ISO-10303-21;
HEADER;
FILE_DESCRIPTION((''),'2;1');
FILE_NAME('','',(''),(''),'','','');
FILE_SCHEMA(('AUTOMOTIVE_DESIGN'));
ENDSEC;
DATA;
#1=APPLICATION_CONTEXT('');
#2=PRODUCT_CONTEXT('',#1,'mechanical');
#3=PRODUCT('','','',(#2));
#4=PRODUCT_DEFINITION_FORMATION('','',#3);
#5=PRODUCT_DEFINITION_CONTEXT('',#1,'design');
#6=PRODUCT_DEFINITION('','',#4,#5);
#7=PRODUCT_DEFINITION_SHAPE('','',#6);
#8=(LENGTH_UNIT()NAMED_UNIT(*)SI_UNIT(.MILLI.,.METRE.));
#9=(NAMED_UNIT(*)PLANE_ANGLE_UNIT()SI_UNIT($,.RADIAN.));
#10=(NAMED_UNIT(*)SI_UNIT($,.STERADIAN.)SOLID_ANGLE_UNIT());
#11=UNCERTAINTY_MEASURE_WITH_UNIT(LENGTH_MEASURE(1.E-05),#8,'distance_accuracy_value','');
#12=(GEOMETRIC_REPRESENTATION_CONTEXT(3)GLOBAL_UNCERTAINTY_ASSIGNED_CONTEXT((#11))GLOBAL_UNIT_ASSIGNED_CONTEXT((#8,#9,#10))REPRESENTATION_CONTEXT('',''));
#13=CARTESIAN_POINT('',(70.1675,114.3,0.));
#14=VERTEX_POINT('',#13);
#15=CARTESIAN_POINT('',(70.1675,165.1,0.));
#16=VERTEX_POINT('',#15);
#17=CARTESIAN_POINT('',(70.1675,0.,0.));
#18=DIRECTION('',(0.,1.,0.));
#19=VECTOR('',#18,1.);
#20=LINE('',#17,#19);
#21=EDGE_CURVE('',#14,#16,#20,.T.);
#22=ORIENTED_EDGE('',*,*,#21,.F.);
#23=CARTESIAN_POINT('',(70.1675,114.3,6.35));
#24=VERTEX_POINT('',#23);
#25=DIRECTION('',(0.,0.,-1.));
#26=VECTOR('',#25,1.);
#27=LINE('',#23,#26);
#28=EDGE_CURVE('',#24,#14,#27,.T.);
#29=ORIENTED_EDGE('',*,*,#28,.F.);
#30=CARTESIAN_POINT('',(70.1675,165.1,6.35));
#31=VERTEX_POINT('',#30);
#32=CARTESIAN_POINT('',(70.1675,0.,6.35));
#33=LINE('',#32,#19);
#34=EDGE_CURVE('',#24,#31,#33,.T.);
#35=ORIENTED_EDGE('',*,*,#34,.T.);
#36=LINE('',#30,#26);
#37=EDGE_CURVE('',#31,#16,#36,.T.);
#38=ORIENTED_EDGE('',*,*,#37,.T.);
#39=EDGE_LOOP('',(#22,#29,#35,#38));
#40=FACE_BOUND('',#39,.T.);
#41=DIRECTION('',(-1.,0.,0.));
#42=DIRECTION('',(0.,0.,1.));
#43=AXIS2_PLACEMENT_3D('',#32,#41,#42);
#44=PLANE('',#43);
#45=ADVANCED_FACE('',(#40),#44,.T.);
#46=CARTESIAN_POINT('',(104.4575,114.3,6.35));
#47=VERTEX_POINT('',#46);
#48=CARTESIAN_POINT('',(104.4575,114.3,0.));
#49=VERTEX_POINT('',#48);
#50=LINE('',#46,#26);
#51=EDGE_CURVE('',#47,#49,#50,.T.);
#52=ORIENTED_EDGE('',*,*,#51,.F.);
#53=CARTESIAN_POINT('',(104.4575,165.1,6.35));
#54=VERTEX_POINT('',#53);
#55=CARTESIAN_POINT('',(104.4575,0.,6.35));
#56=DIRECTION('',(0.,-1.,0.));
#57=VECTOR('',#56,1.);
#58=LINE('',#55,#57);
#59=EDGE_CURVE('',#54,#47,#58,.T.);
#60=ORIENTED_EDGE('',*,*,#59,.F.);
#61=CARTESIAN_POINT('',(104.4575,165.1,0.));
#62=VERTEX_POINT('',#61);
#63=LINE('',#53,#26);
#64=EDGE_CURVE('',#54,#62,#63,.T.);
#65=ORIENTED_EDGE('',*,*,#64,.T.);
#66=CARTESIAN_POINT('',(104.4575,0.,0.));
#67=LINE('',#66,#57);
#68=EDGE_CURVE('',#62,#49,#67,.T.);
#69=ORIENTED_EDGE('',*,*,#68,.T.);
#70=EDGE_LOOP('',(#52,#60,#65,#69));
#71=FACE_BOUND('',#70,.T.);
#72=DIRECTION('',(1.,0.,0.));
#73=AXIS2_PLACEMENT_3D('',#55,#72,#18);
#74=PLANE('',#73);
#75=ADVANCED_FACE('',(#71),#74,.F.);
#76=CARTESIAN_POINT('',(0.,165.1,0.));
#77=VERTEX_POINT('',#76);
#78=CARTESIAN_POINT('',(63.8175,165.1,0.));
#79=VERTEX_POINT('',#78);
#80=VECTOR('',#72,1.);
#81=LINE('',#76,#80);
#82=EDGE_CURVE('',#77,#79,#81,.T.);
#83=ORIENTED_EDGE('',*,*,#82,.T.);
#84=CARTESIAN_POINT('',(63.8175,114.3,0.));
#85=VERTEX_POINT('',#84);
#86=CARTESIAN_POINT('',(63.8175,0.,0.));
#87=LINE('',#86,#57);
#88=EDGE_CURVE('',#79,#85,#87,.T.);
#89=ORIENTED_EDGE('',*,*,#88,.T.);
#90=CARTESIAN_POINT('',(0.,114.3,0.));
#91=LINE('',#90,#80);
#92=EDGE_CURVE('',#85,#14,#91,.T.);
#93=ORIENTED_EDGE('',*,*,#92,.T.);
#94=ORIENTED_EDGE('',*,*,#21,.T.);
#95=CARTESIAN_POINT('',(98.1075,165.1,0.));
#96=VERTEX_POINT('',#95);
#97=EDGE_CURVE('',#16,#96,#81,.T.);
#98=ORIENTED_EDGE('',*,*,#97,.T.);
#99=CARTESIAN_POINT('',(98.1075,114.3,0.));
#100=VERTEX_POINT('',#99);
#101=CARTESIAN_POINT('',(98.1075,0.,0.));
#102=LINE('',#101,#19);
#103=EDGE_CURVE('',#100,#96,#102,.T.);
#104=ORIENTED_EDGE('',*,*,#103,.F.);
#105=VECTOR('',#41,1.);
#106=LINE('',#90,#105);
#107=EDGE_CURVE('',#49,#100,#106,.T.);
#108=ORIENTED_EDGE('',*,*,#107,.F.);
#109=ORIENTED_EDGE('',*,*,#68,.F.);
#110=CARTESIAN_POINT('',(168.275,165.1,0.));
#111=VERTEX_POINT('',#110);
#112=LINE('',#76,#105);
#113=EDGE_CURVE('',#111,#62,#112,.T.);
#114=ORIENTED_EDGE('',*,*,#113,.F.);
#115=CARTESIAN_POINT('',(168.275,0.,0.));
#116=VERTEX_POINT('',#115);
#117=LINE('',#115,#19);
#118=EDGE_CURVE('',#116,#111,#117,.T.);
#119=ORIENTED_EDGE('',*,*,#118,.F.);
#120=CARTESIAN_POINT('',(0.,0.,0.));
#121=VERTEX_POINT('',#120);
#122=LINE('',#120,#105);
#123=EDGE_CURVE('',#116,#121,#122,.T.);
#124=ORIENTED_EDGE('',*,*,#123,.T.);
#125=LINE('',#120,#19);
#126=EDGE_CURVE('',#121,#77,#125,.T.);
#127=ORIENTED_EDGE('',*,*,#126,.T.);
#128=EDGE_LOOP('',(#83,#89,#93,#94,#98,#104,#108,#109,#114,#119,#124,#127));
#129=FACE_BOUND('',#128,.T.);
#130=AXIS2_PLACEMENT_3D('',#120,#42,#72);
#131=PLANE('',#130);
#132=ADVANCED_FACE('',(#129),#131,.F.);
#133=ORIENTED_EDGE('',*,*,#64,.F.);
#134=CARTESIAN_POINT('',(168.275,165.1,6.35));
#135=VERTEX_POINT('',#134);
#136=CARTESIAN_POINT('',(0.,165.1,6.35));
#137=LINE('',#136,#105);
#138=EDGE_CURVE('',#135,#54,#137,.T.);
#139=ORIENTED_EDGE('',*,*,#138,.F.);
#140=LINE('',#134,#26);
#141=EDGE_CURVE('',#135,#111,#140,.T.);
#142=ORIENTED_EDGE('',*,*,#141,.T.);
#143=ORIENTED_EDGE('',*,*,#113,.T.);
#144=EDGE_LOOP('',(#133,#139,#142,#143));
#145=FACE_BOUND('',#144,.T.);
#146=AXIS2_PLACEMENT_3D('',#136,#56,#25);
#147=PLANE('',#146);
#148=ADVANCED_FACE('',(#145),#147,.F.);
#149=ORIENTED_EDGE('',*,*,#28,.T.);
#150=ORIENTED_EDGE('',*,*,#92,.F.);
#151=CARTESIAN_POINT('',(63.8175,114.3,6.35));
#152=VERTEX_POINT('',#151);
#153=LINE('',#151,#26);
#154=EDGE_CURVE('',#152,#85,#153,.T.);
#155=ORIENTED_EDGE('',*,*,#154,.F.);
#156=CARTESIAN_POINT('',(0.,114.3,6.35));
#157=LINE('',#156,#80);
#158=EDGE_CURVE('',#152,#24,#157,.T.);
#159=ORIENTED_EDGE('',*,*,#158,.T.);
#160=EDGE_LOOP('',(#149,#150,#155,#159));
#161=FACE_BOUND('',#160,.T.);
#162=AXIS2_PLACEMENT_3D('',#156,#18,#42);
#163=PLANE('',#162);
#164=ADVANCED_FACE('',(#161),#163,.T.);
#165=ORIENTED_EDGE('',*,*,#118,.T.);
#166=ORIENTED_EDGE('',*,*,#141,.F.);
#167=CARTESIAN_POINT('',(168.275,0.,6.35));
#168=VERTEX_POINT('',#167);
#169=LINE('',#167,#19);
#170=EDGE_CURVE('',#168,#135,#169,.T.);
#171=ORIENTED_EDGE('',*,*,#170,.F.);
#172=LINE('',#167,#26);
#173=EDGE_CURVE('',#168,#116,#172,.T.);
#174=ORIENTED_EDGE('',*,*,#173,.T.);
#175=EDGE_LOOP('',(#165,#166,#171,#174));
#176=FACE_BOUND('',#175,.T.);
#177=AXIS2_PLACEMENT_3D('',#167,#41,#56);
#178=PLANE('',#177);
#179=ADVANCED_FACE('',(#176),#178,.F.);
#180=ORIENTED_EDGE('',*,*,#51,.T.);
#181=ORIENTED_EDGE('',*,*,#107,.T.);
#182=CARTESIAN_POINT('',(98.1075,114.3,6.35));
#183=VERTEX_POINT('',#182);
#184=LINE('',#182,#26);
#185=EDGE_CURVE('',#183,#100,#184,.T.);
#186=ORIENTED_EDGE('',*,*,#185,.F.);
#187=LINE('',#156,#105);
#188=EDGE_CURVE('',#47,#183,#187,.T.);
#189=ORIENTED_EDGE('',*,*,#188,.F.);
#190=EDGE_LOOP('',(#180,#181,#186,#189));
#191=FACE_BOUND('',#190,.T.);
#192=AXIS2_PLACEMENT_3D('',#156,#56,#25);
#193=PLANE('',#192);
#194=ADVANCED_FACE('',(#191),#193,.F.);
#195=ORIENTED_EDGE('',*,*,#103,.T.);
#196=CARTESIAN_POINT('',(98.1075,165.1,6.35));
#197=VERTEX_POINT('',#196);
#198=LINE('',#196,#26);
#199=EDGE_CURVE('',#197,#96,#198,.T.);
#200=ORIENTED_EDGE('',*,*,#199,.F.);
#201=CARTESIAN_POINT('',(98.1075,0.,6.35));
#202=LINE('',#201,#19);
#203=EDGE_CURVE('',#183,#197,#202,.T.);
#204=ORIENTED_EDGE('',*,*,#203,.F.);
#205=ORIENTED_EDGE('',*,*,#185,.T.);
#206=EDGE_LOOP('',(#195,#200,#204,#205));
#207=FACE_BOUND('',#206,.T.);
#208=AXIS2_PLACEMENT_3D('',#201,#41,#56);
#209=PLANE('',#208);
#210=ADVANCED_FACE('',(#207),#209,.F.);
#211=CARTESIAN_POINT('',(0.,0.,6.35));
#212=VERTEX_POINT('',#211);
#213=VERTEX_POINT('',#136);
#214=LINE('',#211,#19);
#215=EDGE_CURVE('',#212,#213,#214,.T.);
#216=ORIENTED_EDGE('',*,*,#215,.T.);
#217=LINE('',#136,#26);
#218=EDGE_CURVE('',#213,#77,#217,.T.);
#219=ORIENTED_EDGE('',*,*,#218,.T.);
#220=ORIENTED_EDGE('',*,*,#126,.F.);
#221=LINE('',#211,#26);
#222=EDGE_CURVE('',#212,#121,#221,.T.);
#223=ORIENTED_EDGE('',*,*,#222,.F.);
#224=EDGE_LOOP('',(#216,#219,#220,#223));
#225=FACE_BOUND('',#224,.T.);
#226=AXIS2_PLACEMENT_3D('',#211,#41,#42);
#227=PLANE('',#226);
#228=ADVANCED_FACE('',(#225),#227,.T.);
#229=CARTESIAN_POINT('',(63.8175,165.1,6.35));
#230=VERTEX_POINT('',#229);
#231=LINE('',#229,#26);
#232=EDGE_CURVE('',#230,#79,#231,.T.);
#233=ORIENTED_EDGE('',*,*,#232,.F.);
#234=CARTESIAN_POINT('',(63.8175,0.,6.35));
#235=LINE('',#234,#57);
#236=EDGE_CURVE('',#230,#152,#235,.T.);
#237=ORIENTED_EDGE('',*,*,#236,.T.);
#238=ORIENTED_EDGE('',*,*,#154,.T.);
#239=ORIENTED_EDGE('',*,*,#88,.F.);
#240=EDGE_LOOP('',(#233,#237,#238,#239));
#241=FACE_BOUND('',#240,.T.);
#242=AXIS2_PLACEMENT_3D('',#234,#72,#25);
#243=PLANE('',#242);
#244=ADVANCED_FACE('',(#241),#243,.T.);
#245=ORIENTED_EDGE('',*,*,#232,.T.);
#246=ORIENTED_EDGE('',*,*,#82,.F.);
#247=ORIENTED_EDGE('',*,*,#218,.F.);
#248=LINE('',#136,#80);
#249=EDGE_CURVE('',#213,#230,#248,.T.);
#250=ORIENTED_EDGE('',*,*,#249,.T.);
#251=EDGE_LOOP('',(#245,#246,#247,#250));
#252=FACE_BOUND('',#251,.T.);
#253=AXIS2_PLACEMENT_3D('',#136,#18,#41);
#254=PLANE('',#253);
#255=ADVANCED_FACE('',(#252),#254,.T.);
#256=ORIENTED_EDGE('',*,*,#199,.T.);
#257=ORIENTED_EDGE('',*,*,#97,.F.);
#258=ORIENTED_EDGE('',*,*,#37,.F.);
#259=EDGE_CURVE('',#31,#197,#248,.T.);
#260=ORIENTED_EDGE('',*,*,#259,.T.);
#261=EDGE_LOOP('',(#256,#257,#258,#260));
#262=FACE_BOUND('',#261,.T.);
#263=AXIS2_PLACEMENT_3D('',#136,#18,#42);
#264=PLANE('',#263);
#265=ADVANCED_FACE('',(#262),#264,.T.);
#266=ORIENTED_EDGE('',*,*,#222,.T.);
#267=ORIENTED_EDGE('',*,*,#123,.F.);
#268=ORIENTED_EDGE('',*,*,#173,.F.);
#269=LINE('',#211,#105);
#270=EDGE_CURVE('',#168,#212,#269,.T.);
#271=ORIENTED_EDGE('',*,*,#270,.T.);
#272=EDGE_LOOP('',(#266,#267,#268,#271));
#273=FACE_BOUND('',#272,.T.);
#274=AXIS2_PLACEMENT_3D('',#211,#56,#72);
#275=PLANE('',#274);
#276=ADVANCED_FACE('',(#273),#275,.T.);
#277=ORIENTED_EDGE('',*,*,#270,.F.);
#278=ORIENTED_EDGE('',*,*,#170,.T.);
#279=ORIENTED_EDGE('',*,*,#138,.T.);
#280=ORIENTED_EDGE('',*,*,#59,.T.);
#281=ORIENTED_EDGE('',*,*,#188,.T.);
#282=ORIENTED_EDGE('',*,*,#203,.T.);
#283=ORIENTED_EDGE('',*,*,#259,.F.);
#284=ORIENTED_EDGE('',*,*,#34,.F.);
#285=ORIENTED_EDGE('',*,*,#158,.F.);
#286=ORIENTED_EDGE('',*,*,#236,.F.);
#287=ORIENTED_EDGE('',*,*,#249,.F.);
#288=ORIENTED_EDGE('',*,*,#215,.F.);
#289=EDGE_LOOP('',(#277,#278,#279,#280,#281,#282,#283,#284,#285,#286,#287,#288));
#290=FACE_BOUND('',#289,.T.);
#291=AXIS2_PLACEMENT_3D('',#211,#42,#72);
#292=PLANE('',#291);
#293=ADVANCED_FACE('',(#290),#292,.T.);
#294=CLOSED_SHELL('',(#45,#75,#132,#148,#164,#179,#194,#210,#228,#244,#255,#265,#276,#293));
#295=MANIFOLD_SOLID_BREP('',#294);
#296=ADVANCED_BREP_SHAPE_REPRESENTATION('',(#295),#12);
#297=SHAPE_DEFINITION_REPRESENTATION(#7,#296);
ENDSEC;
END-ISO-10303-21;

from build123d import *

# Parameters (mm, degrees)
BOSS_EXTRUDE1_DEPTH = 6.35


with BuildPart() as part:
    # Sketch1 → Boss-Extrude1 (new body)
    with BuildSketch(Plane.XY):
        Polygon((63.8175, 165.1), (0, 165.1), (0, 0), (168.275, 0), (168.275, 165.1), (104.4575, 165.1), (104.4575, 114.3), (98.1075, 114.3), (98.1075, 165.1), (70.1675, 165.1), (70.1675, 114.3), (63.8175, 114.3), align=None)
    extrude(amount=BOSS_EXTRUDE1_DEPTH)


solid = part.part
